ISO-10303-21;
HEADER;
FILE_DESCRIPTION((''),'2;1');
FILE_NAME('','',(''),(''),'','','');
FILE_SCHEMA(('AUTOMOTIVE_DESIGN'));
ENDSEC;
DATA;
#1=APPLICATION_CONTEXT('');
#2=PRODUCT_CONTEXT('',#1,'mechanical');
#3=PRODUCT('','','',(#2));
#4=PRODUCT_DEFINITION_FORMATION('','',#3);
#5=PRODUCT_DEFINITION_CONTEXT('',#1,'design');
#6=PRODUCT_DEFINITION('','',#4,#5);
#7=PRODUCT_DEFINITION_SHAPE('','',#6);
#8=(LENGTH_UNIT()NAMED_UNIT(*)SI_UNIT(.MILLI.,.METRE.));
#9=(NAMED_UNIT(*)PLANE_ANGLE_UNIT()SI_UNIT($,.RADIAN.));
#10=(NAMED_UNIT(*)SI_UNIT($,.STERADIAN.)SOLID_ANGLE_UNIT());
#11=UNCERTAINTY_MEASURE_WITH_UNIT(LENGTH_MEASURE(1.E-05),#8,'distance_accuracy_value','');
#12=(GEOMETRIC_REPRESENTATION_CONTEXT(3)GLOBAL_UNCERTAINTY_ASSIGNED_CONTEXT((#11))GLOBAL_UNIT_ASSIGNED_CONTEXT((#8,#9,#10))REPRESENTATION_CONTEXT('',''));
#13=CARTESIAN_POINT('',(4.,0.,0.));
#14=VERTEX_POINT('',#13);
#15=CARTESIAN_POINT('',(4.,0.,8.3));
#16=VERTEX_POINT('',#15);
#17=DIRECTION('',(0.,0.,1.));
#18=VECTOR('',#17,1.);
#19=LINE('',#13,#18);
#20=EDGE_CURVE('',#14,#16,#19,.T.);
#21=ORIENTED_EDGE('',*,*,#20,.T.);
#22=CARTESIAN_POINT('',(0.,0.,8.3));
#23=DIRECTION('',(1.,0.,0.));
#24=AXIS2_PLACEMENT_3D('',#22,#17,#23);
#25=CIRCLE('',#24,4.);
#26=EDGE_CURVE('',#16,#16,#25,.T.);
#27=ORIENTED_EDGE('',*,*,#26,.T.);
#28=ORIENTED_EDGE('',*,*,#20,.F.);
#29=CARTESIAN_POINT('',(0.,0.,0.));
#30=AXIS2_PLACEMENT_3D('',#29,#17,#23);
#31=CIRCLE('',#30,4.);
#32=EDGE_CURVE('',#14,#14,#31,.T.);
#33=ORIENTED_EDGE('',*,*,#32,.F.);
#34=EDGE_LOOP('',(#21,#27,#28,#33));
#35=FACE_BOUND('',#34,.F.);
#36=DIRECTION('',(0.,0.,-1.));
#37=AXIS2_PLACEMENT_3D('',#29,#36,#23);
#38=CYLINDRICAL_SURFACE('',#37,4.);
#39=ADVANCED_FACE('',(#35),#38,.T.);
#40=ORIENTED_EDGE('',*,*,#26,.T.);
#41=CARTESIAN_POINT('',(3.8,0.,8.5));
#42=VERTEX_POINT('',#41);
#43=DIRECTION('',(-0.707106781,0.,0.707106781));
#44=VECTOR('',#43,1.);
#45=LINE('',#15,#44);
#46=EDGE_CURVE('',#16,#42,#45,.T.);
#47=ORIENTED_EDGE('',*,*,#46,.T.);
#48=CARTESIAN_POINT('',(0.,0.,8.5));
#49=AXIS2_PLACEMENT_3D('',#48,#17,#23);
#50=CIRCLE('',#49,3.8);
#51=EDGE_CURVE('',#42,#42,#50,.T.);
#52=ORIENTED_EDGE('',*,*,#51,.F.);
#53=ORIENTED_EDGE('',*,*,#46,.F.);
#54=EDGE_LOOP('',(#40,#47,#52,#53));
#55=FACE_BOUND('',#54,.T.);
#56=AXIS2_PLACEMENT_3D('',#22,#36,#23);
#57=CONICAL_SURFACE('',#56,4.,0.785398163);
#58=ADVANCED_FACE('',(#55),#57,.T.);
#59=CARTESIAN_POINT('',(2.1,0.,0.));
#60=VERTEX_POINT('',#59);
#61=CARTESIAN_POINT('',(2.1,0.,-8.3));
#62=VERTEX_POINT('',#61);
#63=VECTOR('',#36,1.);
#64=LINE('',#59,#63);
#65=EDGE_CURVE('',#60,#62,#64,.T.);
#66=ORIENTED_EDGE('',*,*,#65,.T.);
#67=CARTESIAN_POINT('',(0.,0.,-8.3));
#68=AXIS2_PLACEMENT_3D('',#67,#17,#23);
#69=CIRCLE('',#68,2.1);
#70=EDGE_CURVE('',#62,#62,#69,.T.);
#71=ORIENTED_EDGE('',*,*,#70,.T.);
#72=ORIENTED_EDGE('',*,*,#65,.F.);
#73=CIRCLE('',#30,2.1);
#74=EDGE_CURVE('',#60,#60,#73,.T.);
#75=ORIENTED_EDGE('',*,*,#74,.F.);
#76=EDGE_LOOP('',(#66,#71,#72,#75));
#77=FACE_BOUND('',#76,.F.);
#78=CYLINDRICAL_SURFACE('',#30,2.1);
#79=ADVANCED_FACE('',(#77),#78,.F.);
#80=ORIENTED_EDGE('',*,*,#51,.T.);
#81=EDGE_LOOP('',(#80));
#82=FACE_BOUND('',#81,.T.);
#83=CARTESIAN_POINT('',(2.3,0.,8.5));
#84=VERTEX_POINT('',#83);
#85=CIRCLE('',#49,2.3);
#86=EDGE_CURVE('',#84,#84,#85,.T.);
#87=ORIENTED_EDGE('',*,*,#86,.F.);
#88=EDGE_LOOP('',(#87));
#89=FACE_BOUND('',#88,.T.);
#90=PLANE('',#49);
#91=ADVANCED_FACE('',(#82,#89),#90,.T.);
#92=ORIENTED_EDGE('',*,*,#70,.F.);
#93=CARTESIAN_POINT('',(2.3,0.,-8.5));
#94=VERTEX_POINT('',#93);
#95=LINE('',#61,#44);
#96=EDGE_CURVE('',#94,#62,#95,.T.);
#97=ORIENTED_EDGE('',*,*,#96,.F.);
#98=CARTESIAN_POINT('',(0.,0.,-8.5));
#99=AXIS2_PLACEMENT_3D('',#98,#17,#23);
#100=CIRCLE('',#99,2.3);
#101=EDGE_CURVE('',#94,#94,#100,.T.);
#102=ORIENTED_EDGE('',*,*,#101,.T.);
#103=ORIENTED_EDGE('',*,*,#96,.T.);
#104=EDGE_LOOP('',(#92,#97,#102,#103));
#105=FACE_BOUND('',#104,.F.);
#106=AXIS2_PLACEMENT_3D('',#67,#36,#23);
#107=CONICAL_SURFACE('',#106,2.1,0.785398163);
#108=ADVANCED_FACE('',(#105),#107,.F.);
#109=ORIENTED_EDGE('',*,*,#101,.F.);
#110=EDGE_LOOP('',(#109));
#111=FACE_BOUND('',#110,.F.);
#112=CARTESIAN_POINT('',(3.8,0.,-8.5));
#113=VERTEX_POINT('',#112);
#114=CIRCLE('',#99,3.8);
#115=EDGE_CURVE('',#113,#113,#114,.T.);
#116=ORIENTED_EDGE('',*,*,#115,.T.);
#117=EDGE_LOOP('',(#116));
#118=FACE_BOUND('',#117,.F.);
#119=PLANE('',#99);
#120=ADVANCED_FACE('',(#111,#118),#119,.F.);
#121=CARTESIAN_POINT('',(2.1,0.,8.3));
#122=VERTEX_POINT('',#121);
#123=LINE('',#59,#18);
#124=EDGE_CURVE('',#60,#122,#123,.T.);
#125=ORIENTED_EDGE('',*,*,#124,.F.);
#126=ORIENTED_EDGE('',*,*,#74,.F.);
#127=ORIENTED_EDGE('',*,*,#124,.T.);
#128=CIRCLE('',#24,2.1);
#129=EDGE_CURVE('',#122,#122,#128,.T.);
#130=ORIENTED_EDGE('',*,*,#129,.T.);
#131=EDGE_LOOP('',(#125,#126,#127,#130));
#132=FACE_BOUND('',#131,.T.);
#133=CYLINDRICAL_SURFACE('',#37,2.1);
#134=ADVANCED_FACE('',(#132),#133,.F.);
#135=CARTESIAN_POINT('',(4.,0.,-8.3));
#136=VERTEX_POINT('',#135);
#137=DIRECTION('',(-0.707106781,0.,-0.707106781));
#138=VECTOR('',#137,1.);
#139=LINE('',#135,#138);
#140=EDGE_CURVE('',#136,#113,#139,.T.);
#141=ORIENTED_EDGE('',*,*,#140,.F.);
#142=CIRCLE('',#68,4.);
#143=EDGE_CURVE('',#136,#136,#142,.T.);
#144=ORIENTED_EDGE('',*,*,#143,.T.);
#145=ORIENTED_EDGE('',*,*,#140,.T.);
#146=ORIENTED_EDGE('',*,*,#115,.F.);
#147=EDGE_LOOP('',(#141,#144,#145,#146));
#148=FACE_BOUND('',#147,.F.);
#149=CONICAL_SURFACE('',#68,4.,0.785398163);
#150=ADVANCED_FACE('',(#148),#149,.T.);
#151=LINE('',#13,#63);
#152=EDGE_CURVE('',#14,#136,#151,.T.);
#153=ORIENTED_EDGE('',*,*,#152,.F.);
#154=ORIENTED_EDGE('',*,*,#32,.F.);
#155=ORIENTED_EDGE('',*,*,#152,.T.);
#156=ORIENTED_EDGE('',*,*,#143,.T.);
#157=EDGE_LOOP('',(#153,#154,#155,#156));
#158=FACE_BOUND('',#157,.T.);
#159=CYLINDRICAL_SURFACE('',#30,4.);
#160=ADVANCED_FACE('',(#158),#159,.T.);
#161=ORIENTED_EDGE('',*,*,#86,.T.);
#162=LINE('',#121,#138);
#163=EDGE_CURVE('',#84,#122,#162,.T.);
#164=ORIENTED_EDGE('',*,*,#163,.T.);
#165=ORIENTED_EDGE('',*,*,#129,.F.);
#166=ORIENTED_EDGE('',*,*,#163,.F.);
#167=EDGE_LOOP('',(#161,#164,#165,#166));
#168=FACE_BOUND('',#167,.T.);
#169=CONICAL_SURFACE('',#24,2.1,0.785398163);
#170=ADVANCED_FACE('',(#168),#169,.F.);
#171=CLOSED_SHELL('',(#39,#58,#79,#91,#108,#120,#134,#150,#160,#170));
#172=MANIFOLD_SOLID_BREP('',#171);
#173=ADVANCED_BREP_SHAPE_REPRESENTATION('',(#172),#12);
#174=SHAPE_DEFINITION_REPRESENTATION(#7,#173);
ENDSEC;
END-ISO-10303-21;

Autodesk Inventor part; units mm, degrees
ref_plane "YZ Plane" through (0, 0, 0) normal (1, 0, 0) x (0, 1, 0)
ref_plane "XZ Plane" through (0, 0, 0) normal (0, 1, 0) x (-1, 0, 0)
ref_plane "XY Plane" through (0, 0, 0) normal (0, 0, 1) x (1, 0, 0)
sketch "スケッチ1" plane through (0, 0, 0) normal (0, 0, 1) x (1, 0, 0)
  circle A0 centre (0, 0) radius 2.1
  circle A1 centre (0, 0) radius 4
  dimension "d0" = 4.2
  dimension "d1" = 8
extrude "押し出し1" add sketch "スケッチ1" along normal mid plane 17
chamfer "面取り1" distance 0.2 angle 45 4 edges at (-2.1, 0, 8.5) (-4, 0, 8.5) (-4, 0, -8.5) (-2.1, 0, -8.5)
properties part number "CF-417E" material "鋼、炭素鋼"
